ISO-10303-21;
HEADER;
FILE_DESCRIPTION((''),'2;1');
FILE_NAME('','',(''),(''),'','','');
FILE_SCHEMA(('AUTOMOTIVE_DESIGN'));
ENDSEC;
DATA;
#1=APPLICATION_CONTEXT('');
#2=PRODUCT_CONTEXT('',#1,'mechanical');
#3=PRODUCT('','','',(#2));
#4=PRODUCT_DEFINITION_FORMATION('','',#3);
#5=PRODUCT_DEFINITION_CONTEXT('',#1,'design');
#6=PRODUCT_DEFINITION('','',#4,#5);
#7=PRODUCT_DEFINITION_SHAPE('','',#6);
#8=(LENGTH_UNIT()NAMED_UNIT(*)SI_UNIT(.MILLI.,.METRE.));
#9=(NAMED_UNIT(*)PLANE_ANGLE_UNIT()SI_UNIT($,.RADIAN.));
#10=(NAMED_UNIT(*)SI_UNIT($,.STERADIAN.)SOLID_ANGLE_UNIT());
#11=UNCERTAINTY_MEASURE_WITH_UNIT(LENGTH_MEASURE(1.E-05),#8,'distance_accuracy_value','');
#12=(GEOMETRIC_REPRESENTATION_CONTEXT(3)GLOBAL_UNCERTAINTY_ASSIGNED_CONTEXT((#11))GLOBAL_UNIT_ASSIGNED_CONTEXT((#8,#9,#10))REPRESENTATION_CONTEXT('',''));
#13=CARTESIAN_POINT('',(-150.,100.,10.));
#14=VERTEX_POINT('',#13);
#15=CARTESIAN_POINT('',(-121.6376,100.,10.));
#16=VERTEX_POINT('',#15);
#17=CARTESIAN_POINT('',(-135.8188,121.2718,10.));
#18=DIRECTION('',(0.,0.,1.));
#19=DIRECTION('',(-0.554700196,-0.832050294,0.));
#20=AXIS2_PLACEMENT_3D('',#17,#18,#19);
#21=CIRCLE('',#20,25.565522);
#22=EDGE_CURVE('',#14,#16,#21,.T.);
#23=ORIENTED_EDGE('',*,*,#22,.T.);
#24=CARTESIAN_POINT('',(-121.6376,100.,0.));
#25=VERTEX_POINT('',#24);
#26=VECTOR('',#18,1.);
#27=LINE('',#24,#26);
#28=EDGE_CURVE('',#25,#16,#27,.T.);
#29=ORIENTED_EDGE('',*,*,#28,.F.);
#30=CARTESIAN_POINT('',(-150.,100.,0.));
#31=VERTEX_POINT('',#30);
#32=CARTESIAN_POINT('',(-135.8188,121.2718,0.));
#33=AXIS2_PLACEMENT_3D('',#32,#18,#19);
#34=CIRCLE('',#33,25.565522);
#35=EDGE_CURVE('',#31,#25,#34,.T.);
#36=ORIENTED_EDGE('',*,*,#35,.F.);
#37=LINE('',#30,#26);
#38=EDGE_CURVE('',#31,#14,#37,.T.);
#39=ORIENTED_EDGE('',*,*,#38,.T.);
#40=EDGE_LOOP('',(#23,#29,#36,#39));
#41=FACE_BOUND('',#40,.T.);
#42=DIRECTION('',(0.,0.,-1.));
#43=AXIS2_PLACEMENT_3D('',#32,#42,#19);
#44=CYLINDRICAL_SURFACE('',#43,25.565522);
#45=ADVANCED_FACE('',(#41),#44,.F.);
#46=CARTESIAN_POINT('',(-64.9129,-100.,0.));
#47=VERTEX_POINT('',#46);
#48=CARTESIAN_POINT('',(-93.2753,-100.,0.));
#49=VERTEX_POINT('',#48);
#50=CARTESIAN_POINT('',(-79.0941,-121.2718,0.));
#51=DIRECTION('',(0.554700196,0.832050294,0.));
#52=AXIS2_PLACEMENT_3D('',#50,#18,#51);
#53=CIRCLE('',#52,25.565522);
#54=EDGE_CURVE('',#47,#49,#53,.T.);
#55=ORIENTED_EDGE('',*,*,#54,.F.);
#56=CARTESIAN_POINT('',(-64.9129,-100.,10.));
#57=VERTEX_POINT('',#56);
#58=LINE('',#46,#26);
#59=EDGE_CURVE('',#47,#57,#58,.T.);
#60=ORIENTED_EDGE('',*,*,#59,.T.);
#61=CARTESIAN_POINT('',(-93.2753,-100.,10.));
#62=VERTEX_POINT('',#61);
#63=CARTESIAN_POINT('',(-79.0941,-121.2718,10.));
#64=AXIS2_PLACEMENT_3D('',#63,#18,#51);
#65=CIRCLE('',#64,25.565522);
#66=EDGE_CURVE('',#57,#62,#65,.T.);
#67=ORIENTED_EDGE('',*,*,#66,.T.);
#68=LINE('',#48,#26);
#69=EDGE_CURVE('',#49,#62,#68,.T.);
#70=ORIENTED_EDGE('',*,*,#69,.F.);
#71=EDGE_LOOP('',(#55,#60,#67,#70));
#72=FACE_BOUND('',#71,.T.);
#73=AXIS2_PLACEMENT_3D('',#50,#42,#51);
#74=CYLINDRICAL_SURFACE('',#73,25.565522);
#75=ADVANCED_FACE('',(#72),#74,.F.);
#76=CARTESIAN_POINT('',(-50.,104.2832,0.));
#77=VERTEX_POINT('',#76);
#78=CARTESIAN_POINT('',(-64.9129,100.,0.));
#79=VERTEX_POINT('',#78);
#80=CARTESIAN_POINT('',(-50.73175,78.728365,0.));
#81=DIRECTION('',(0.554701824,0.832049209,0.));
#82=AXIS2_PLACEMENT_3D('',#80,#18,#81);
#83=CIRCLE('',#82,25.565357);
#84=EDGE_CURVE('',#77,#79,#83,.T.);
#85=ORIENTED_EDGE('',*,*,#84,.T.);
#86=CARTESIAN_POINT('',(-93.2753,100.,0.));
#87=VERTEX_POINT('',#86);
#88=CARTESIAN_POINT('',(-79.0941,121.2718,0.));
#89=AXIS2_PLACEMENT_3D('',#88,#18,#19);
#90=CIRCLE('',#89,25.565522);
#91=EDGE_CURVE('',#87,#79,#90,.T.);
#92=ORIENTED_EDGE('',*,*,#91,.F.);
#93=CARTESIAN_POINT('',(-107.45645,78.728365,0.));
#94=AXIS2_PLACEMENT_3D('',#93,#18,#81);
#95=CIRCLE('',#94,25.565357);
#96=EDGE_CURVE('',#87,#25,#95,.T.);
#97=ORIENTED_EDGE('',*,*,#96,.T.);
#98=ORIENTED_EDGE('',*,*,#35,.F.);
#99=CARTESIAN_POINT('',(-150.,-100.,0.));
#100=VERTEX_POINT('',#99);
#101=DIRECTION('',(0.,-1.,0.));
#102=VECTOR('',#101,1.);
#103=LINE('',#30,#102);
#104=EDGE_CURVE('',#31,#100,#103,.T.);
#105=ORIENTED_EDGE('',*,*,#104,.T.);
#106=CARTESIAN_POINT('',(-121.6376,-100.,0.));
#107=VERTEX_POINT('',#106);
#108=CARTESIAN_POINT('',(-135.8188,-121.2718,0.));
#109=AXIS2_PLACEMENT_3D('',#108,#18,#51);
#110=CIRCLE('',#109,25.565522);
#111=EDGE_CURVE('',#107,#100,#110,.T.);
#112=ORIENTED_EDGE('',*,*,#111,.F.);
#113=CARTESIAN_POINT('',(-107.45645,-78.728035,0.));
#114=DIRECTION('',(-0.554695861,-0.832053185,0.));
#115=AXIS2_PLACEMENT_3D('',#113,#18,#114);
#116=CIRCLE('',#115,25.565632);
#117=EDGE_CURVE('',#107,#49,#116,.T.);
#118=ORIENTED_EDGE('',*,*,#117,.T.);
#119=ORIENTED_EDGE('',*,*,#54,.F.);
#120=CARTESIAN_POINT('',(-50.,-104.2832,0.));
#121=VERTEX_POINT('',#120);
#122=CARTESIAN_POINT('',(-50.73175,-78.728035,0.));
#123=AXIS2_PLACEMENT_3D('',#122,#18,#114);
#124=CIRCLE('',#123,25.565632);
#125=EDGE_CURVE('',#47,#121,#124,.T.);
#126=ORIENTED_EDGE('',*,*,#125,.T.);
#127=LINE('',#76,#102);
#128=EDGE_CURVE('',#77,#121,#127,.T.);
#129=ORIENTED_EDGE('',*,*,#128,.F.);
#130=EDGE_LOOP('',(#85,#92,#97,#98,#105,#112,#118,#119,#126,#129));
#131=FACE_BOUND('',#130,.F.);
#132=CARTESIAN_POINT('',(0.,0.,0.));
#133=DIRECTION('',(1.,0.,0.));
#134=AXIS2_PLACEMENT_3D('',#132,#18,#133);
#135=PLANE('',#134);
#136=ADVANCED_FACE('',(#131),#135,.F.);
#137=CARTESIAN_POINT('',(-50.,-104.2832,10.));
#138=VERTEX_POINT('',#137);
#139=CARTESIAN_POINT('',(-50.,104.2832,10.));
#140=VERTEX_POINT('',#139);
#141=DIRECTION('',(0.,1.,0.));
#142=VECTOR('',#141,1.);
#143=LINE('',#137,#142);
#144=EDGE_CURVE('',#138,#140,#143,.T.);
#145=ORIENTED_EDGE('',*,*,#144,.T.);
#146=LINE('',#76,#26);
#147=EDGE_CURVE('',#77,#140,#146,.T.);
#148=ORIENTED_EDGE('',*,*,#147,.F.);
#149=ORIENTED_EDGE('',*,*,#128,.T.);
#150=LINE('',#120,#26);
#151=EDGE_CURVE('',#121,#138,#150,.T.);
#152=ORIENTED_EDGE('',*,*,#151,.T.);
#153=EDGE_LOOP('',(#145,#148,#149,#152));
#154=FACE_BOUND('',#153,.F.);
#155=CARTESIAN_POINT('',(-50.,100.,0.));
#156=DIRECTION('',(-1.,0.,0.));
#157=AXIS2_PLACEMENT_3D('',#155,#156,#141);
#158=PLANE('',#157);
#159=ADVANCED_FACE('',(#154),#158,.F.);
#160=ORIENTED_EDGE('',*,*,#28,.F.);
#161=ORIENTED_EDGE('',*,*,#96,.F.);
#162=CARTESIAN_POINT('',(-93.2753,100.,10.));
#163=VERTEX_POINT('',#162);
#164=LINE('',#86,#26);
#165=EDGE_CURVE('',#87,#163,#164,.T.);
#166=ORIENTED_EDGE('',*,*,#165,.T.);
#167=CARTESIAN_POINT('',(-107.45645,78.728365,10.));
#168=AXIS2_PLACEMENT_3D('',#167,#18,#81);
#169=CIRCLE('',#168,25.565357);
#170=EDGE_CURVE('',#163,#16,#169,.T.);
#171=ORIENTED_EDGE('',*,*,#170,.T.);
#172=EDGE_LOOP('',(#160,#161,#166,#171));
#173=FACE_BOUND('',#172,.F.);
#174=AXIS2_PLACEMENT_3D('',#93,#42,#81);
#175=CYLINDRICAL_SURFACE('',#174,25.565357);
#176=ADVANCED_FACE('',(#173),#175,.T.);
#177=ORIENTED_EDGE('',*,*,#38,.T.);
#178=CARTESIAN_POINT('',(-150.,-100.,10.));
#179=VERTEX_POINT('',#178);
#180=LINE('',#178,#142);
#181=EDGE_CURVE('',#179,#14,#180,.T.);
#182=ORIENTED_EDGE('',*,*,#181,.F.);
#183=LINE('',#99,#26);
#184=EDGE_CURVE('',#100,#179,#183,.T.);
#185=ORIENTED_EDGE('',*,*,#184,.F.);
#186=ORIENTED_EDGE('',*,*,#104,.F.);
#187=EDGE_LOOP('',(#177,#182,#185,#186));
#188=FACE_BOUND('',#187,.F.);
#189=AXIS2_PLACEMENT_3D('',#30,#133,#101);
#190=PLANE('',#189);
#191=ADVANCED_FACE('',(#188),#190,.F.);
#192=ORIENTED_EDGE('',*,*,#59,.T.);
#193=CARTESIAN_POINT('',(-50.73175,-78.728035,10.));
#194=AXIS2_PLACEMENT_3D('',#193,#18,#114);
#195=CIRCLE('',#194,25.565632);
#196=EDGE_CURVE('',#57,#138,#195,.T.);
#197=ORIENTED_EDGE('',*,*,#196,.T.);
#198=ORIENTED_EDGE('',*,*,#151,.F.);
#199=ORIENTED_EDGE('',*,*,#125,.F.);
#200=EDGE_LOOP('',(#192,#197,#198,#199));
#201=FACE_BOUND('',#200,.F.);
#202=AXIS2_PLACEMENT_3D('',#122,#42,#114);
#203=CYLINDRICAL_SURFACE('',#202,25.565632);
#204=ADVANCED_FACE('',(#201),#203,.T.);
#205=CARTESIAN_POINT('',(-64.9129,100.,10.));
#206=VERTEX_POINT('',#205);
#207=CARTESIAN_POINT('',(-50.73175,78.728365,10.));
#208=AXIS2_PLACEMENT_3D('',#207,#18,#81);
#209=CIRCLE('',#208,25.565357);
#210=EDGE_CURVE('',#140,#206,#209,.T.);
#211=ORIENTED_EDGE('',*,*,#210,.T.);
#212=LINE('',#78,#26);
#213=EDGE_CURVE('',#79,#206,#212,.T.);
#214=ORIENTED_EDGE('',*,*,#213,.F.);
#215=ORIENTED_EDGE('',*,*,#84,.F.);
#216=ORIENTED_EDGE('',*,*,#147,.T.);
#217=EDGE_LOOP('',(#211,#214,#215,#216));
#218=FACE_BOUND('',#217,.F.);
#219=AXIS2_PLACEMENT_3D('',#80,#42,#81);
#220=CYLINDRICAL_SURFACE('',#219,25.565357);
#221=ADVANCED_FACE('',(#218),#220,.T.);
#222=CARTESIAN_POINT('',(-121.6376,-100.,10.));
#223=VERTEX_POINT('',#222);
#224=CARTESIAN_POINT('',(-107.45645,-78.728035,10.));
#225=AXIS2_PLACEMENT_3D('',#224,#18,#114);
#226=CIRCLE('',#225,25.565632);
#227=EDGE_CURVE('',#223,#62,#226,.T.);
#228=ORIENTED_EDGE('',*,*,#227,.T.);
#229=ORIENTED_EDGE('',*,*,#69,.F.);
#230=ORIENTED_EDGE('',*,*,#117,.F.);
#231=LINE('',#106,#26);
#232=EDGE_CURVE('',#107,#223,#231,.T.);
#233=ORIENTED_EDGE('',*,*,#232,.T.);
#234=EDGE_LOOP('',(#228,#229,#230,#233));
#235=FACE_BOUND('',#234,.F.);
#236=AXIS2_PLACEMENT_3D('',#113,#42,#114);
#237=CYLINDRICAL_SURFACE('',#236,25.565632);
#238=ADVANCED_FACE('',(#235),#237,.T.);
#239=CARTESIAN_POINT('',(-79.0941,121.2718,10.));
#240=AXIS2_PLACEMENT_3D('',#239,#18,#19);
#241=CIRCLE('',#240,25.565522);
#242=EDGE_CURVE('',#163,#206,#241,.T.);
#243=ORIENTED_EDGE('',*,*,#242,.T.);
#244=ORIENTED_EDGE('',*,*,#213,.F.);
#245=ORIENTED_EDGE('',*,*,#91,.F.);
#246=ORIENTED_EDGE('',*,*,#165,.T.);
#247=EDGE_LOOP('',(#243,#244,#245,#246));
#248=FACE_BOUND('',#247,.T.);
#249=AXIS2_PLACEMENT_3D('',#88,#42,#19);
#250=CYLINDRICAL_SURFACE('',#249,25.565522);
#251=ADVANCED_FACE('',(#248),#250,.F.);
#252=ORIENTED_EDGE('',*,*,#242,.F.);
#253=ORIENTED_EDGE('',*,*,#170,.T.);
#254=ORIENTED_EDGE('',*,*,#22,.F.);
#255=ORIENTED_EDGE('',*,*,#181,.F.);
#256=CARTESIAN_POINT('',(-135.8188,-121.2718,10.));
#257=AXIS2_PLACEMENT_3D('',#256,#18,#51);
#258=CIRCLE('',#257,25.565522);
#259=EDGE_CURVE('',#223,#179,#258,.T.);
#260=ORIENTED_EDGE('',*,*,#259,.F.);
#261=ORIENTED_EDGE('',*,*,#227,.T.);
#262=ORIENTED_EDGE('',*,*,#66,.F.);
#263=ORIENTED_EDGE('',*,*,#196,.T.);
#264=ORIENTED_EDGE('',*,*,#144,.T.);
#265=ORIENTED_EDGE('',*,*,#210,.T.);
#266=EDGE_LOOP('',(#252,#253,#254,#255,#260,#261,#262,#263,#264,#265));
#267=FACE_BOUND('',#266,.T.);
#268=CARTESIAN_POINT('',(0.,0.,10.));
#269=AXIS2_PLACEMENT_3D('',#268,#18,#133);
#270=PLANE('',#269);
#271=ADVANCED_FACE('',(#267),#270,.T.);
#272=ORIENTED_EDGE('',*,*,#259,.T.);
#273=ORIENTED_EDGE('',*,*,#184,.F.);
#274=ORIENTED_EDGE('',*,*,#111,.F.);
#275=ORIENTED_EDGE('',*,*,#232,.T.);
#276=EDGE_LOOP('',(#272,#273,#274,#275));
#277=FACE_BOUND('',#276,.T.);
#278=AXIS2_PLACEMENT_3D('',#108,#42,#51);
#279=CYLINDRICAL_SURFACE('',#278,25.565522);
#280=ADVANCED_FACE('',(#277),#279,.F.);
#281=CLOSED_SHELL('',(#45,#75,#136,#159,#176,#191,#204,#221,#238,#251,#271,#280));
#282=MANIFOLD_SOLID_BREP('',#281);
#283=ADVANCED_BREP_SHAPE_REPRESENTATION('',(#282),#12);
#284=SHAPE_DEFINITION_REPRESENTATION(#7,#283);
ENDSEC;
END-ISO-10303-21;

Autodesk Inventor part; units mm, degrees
ref_plane "YZ Plane" through (0, 0, 0) normal (1, 0, 0) x (0, 1, 0)
ref_plane "XZ Plane" through (0, 0, 0) normal (0, 1, 0) x (-1, 0, 0)
ref_plane "XY Plane" through (0, 0, 0) normal (0, 0, 1) x (1, 0, 0)
sketch "Esquisse1" plane through (0, 0, 0) normal (0, 0, 1) x (1, 0, 0)
  line L0 (150, -95.8007) -> (150, 95.8007)
  line L1 (-150, 100) -> (-150, -100)
  line L2 (-150, -100) -> (150, 100) construction
  line L3 (143.989, -95.9926) -> (-150, 100) construction
  line L4 (-50, 100) -> (-50, -100)
  line L5 (50, 100) -> (50, -100)
  arc A0 (-150, 100) -> (-121.6376, 100) centre (-135.8188, 121.2718) ccw
  line L6 (-150, 0) -> (150, 0)
  arc A1 (-121.6376, -100) -> (-150, -100) centre (-135.8188, -121.2718) ccw
  arc A2 (-93.2753, 100) -> (-121.6376, 100) centre (-107.4565, 78.7282) ccw
  arc A3 (-121.6376, -100) -> (-93.2753, -100) centre (-107.4565, -78.7282) ccw
  arc A4 (-93.2753, 100) -> (-64.9129, 100) centre (-79.0941, 121.2718) ccw
  arc A5 (-64.9129, -100) -> (-93.2753, -100) centre (-79.0941, -121.2718) ccw
  arc A6 (-36.5506, 100) -> (-64.9129, 100) centre (-50.7318, 78.7282) ccw
  arc A7 (-64.9129, -100) -> (-36.5506, -100) centre (-50.7318, -78.7282) ccw
  arc A8 (-36.5506, 100) -> (-8.1882, 100) centre (-22.3694, 121.2718) ccw
  arc A9 (-8.1882, -100) -> (-36.5506, -100) centre (-22.3694, -121.2718) ccw
  arc A10 (20.1741, 100) -> (-8.1882, 100) centre (5.9929, 78.7282) ccw
  arc A11 (-8.1882, -100) -> (20.1741, -100) centre (5.9929, -78.7282) ccw
  arc A12 (20.1741, 100) -> (48.5365, 100) centre (34.3553, 121.2718) ccw
  arc A13 (48.5365, -100) -> (20.1741, -100) centre (34.3553, -121.2718) ccw
  arc A14 (76.8988, 100) -> (48.5365, 100) centre (62.7176, 78.7282) ccw
  arc A15 (48.5365, -100) -> (76.8988, -100) centre (62.7176, -78.7282) ccw
  arc A16 (76.8988, 100) -> (105.2612, 100) centre (91.08, 121.2718) ccw
  arc A17 (105.2612, -100) -> (76.8988, -100) centre (91.08, -121.2718) ccw
  arc A18 (133.6235, 100) -> (105.2612, 100) centre (119.4423, 78.7282) ccw
  arc A19 (105.2612, -100) -> (133.6235, -100) centre (119.4423, -78.7282) ccw
  arc A20 (133.6235, 100) -> (150, 95.8007) centre (147.8047, 121.2718) ccw
  arc A21 (150, -95.8007) -> (133.6235, -100) centre (147.8047, -121.2718) ccw
  line L7 (-50, 100) -> (-50, 104.2832)
  line L8 (-50, -100) -> (-50, -104.2832)
  line L9 (50, -100) -> (50, -100.906)
  line L10 (50, 100) -> (50, 100.906)
  point P0 (0, 0)
extrude "Extrusion1" add sketch "Esquisse1" along normal blind 10 contours L6 L1 A0 A2 A4 A6 L7 L4 | L4 L8 A7 A5 A3 A1 L1 L6
properties part number "FlagPeiceVertical"
